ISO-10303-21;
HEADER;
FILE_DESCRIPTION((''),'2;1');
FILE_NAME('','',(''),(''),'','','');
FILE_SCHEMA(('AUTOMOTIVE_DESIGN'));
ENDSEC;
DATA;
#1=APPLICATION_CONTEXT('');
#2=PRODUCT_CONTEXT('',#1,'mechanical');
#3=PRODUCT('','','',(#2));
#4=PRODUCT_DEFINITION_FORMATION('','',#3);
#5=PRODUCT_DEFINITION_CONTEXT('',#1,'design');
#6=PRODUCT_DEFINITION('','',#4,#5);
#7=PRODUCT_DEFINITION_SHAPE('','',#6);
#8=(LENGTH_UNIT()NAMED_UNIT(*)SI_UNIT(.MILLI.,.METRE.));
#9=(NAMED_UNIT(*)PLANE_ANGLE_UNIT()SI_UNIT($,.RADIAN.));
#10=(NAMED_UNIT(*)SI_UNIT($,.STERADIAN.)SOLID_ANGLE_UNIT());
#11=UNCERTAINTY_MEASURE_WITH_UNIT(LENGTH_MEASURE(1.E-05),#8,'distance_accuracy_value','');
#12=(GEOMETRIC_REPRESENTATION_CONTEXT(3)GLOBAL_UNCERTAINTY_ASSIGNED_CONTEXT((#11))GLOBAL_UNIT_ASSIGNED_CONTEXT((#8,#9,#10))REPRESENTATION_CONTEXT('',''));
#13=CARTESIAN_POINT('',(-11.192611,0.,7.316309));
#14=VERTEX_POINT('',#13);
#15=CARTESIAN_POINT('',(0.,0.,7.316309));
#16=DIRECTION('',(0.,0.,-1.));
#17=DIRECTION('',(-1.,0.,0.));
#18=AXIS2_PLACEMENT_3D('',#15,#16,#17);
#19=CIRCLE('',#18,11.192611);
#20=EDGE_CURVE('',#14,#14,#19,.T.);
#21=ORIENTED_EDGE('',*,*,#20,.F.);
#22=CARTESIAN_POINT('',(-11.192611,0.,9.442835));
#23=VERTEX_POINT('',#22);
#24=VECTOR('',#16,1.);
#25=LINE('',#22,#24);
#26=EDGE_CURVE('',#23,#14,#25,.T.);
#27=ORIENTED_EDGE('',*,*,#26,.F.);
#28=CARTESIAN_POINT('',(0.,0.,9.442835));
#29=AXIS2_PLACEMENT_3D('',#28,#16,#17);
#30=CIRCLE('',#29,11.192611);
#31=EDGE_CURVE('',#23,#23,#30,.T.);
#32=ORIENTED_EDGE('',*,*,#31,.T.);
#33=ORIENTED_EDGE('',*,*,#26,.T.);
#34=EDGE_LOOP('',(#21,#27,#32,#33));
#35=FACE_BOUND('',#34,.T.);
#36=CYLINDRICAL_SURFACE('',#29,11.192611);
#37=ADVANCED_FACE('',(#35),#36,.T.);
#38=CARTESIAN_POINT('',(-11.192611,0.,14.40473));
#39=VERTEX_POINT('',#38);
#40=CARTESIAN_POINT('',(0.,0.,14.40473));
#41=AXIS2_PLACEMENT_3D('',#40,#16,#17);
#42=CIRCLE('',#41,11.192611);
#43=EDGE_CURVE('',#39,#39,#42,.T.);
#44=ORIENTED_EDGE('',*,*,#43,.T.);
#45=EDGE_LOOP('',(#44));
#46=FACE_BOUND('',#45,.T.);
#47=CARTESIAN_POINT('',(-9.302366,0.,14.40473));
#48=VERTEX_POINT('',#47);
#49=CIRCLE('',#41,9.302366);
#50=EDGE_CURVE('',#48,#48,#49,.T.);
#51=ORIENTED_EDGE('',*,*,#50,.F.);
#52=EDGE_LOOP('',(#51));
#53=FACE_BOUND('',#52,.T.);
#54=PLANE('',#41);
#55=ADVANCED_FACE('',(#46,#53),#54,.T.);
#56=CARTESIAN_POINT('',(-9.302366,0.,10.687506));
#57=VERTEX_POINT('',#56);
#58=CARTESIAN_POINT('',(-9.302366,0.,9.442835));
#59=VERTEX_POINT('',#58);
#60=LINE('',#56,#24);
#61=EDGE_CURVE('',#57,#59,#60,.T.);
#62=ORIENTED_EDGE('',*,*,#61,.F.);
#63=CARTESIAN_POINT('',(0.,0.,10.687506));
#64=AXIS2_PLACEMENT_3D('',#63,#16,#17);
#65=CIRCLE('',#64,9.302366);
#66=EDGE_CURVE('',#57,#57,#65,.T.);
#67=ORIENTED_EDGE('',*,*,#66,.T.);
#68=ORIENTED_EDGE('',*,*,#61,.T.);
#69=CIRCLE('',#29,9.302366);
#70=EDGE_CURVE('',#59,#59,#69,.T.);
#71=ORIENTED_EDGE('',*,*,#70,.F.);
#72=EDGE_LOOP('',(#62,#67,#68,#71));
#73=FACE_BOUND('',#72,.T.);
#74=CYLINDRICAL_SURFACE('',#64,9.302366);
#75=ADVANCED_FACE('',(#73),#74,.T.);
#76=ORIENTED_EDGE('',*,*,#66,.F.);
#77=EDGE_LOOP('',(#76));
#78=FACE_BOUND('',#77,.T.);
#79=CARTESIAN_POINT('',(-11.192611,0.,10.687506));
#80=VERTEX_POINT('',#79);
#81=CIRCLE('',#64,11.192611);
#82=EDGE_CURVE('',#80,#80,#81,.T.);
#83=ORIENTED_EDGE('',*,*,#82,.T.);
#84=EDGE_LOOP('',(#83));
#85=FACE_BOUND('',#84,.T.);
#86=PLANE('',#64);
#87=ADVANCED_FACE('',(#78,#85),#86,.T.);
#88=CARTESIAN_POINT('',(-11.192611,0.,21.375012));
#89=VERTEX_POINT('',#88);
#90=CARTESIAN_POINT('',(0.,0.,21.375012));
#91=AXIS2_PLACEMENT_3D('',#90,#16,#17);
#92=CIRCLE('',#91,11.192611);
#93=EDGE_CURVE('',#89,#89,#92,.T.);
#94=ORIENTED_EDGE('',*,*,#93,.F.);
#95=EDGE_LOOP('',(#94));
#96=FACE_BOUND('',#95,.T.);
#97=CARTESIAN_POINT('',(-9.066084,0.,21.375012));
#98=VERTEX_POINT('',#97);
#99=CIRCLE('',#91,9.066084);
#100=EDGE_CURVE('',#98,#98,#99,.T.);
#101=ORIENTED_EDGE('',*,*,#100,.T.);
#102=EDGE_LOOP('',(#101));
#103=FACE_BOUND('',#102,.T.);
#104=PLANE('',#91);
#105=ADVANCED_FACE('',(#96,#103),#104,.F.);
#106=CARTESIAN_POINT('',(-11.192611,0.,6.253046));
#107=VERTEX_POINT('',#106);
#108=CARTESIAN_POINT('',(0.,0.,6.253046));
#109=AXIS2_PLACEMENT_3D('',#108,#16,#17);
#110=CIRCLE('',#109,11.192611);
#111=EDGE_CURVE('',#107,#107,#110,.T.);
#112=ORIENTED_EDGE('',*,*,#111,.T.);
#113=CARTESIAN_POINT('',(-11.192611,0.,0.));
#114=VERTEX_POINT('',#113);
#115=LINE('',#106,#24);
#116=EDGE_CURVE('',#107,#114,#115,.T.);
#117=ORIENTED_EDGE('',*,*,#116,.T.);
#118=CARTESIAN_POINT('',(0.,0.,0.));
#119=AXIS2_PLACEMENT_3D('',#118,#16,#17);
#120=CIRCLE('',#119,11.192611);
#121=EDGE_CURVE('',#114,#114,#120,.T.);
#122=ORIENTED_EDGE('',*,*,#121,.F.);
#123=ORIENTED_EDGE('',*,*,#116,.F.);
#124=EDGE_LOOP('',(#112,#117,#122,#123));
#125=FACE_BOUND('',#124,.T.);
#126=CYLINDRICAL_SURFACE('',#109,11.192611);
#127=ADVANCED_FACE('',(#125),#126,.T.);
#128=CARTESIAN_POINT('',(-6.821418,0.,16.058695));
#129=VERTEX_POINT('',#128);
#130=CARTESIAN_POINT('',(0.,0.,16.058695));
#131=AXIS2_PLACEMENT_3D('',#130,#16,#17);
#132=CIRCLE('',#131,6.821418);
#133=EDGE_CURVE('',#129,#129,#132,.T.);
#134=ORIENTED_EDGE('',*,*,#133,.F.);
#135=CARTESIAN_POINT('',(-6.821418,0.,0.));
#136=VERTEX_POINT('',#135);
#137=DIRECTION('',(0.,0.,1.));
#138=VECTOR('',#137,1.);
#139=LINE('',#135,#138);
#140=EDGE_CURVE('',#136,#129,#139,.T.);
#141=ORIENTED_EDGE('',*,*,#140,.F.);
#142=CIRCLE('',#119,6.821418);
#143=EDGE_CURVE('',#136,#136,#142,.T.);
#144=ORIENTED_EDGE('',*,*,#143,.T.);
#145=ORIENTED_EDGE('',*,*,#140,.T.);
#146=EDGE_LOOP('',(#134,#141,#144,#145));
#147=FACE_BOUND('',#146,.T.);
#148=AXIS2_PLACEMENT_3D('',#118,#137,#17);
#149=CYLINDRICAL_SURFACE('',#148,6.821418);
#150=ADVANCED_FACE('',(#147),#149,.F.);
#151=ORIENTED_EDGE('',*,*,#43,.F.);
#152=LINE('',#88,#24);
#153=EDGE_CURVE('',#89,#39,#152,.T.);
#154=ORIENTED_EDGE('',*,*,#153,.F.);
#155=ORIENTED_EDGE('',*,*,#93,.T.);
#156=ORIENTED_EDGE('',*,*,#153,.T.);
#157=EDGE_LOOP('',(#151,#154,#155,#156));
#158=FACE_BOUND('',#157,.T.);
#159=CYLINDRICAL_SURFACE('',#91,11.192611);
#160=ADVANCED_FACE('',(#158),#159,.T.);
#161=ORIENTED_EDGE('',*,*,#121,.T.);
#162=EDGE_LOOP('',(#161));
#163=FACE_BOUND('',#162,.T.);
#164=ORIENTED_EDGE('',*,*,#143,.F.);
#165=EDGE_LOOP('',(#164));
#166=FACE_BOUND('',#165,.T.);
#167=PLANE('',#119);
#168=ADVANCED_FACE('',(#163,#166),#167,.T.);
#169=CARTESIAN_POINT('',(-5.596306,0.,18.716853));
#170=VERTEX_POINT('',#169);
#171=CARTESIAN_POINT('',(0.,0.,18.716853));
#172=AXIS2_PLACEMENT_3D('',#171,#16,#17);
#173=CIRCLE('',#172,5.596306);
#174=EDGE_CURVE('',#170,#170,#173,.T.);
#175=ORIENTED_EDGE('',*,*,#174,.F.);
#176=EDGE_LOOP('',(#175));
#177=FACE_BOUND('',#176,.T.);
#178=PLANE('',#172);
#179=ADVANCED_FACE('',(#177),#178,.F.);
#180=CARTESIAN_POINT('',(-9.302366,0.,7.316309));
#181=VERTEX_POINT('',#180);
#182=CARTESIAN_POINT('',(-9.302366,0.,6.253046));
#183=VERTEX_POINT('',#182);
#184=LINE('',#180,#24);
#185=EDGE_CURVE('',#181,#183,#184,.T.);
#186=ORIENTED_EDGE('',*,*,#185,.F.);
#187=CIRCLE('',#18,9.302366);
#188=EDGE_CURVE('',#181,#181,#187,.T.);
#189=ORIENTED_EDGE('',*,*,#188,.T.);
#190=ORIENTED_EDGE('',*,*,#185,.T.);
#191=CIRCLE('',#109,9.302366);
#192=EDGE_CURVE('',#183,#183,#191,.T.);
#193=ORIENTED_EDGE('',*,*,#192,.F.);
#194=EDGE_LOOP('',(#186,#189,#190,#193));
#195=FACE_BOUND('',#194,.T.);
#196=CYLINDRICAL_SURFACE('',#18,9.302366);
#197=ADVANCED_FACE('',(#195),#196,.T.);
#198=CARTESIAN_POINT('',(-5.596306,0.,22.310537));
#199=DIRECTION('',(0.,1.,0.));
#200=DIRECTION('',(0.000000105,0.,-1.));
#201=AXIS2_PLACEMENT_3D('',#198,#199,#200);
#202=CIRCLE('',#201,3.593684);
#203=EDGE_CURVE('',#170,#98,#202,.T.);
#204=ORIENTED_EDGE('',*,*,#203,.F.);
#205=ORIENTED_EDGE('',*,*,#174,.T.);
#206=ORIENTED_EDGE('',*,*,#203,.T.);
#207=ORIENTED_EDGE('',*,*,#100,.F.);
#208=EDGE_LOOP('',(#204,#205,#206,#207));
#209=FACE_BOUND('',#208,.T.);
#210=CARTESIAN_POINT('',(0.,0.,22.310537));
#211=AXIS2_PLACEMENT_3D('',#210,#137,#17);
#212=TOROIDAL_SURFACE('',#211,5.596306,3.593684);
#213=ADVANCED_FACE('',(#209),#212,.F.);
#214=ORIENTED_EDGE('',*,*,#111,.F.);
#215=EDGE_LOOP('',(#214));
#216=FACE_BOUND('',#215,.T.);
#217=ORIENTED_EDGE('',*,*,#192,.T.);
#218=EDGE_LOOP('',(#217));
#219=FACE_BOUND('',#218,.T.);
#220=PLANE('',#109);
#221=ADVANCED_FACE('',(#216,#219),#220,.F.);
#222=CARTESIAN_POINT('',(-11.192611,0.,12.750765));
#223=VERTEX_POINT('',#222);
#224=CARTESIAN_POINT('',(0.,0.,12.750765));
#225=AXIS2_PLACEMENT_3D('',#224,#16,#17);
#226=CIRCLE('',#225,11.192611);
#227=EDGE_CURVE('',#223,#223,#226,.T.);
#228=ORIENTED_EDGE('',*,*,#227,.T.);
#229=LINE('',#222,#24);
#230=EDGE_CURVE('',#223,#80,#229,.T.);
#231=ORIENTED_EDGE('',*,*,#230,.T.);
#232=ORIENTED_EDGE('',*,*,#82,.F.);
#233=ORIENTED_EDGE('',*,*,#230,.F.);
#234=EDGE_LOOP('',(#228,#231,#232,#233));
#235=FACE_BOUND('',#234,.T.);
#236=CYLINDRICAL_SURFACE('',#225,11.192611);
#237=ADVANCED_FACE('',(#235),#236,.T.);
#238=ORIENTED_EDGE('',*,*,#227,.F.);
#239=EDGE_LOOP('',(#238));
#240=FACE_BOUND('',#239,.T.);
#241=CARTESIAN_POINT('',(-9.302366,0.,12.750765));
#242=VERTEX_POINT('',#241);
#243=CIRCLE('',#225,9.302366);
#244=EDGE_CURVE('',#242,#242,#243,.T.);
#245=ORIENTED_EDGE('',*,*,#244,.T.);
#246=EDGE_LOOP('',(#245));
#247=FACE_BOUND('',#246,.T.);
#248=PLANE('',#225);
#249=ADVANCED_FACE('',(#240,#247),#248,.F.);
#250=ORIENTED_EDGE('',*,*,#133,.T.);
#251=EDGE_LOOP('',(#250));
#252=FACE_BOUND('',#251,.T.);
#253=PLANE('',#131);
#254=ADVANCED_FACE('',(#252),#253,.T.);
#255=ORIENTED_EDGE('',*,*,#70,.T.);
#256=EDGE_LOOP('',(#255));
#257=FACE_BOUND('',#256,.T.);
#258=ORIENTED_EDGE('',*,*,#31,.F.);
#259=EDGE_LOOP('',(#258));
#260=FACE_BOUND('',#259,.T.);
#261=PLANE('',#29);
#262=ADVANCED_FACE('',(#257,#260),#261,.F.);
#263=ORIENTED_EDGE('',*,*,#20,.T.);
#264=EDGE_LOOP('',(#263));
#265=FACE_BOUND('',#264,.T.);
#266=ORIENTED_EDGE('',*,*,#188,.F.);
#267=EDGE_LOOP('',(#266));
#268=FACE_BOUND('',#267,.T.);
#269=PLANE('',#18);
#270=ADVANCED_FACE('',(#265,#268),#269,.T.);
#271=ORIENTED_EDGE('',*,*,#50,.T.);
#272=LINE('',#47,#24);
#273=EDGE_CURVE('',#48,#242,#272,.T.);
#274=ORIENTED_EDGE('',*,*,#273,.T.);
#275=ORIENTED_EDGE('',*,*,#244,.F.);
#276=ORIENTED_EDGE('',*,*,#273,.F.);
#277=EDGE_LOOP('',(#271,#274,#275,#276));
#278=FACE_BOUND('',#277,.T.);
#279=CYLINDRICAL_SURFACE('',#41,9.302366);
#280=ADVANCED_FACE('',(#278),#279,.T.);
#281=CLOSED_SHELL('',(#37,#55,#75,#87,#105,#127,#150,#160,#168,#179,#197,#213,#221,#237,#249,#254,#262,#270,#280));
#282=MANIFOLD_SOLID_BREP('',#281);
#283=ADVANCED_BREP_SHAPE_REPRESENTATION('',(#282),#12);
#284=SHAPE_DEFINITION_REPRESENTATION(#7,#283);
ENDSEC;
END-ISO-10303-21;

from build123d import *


with BuildPart() as f1:
    # F0 (on Front) → F1 (revolve)
    with BuildSketch(Plane.XZ):
        with BuildLine():
            Line((-6.821418, 16.058695), (0, 16.058695))
            Line((0, 16.058695), (0, 18.716853))
            Line((0, 18.716853), (-5.596306, 18.716853))
            ThreePointArc((-5.596306, 18.716853), (-7.781779, 19.457771), (-9.066084, 21.375012))
            Line((-9.066084, 21.375012), (-11.192611, 21.375012))
            Line((-11.192611, 21.375012), (-11.192611, 14.40473))
            Line((-11.192611, 14.40473), (-9.302366, 14.40473))
            Line((-9.302366, 14.40473), (-9.302366, 12.750765))
            Line((-9.302366, 12.750765), (-11.192611, 12.750765))
            Line((-11.192611, 12.750765), (-11.192611, 10.687506))
            Line((-11.192611, 10.687506), (-9.302366, 10.687506))
            Line((-9.302366, 10.687506), (-9.302366, 9.442835))
            Line((-9.302366, 9.442835), (-11.192611, 9.442835))
            Line((-11.192611, 9.442835), (-11.192611, 7.316309))
            Line((-11.192611, 7.316309), (-9.302366, 7.316309))
            Line((-9.302366, 7.316309), (-9.302366, 6.253046))
            Line((-9.302366, 6.253046), (-11.192611, 6.253046))
            Line((-11.192611, 6.253046), (-11.192611, 0))
            Line((-11.192611, 0), (-6.821418, 0))
            Line((-6.821418, 0), (-6.821418, 16.058695))
        make_face()
    revolve(axis=Axis((0, 0, 17.387774), (0, 0, -1)))


solid = f1.part
